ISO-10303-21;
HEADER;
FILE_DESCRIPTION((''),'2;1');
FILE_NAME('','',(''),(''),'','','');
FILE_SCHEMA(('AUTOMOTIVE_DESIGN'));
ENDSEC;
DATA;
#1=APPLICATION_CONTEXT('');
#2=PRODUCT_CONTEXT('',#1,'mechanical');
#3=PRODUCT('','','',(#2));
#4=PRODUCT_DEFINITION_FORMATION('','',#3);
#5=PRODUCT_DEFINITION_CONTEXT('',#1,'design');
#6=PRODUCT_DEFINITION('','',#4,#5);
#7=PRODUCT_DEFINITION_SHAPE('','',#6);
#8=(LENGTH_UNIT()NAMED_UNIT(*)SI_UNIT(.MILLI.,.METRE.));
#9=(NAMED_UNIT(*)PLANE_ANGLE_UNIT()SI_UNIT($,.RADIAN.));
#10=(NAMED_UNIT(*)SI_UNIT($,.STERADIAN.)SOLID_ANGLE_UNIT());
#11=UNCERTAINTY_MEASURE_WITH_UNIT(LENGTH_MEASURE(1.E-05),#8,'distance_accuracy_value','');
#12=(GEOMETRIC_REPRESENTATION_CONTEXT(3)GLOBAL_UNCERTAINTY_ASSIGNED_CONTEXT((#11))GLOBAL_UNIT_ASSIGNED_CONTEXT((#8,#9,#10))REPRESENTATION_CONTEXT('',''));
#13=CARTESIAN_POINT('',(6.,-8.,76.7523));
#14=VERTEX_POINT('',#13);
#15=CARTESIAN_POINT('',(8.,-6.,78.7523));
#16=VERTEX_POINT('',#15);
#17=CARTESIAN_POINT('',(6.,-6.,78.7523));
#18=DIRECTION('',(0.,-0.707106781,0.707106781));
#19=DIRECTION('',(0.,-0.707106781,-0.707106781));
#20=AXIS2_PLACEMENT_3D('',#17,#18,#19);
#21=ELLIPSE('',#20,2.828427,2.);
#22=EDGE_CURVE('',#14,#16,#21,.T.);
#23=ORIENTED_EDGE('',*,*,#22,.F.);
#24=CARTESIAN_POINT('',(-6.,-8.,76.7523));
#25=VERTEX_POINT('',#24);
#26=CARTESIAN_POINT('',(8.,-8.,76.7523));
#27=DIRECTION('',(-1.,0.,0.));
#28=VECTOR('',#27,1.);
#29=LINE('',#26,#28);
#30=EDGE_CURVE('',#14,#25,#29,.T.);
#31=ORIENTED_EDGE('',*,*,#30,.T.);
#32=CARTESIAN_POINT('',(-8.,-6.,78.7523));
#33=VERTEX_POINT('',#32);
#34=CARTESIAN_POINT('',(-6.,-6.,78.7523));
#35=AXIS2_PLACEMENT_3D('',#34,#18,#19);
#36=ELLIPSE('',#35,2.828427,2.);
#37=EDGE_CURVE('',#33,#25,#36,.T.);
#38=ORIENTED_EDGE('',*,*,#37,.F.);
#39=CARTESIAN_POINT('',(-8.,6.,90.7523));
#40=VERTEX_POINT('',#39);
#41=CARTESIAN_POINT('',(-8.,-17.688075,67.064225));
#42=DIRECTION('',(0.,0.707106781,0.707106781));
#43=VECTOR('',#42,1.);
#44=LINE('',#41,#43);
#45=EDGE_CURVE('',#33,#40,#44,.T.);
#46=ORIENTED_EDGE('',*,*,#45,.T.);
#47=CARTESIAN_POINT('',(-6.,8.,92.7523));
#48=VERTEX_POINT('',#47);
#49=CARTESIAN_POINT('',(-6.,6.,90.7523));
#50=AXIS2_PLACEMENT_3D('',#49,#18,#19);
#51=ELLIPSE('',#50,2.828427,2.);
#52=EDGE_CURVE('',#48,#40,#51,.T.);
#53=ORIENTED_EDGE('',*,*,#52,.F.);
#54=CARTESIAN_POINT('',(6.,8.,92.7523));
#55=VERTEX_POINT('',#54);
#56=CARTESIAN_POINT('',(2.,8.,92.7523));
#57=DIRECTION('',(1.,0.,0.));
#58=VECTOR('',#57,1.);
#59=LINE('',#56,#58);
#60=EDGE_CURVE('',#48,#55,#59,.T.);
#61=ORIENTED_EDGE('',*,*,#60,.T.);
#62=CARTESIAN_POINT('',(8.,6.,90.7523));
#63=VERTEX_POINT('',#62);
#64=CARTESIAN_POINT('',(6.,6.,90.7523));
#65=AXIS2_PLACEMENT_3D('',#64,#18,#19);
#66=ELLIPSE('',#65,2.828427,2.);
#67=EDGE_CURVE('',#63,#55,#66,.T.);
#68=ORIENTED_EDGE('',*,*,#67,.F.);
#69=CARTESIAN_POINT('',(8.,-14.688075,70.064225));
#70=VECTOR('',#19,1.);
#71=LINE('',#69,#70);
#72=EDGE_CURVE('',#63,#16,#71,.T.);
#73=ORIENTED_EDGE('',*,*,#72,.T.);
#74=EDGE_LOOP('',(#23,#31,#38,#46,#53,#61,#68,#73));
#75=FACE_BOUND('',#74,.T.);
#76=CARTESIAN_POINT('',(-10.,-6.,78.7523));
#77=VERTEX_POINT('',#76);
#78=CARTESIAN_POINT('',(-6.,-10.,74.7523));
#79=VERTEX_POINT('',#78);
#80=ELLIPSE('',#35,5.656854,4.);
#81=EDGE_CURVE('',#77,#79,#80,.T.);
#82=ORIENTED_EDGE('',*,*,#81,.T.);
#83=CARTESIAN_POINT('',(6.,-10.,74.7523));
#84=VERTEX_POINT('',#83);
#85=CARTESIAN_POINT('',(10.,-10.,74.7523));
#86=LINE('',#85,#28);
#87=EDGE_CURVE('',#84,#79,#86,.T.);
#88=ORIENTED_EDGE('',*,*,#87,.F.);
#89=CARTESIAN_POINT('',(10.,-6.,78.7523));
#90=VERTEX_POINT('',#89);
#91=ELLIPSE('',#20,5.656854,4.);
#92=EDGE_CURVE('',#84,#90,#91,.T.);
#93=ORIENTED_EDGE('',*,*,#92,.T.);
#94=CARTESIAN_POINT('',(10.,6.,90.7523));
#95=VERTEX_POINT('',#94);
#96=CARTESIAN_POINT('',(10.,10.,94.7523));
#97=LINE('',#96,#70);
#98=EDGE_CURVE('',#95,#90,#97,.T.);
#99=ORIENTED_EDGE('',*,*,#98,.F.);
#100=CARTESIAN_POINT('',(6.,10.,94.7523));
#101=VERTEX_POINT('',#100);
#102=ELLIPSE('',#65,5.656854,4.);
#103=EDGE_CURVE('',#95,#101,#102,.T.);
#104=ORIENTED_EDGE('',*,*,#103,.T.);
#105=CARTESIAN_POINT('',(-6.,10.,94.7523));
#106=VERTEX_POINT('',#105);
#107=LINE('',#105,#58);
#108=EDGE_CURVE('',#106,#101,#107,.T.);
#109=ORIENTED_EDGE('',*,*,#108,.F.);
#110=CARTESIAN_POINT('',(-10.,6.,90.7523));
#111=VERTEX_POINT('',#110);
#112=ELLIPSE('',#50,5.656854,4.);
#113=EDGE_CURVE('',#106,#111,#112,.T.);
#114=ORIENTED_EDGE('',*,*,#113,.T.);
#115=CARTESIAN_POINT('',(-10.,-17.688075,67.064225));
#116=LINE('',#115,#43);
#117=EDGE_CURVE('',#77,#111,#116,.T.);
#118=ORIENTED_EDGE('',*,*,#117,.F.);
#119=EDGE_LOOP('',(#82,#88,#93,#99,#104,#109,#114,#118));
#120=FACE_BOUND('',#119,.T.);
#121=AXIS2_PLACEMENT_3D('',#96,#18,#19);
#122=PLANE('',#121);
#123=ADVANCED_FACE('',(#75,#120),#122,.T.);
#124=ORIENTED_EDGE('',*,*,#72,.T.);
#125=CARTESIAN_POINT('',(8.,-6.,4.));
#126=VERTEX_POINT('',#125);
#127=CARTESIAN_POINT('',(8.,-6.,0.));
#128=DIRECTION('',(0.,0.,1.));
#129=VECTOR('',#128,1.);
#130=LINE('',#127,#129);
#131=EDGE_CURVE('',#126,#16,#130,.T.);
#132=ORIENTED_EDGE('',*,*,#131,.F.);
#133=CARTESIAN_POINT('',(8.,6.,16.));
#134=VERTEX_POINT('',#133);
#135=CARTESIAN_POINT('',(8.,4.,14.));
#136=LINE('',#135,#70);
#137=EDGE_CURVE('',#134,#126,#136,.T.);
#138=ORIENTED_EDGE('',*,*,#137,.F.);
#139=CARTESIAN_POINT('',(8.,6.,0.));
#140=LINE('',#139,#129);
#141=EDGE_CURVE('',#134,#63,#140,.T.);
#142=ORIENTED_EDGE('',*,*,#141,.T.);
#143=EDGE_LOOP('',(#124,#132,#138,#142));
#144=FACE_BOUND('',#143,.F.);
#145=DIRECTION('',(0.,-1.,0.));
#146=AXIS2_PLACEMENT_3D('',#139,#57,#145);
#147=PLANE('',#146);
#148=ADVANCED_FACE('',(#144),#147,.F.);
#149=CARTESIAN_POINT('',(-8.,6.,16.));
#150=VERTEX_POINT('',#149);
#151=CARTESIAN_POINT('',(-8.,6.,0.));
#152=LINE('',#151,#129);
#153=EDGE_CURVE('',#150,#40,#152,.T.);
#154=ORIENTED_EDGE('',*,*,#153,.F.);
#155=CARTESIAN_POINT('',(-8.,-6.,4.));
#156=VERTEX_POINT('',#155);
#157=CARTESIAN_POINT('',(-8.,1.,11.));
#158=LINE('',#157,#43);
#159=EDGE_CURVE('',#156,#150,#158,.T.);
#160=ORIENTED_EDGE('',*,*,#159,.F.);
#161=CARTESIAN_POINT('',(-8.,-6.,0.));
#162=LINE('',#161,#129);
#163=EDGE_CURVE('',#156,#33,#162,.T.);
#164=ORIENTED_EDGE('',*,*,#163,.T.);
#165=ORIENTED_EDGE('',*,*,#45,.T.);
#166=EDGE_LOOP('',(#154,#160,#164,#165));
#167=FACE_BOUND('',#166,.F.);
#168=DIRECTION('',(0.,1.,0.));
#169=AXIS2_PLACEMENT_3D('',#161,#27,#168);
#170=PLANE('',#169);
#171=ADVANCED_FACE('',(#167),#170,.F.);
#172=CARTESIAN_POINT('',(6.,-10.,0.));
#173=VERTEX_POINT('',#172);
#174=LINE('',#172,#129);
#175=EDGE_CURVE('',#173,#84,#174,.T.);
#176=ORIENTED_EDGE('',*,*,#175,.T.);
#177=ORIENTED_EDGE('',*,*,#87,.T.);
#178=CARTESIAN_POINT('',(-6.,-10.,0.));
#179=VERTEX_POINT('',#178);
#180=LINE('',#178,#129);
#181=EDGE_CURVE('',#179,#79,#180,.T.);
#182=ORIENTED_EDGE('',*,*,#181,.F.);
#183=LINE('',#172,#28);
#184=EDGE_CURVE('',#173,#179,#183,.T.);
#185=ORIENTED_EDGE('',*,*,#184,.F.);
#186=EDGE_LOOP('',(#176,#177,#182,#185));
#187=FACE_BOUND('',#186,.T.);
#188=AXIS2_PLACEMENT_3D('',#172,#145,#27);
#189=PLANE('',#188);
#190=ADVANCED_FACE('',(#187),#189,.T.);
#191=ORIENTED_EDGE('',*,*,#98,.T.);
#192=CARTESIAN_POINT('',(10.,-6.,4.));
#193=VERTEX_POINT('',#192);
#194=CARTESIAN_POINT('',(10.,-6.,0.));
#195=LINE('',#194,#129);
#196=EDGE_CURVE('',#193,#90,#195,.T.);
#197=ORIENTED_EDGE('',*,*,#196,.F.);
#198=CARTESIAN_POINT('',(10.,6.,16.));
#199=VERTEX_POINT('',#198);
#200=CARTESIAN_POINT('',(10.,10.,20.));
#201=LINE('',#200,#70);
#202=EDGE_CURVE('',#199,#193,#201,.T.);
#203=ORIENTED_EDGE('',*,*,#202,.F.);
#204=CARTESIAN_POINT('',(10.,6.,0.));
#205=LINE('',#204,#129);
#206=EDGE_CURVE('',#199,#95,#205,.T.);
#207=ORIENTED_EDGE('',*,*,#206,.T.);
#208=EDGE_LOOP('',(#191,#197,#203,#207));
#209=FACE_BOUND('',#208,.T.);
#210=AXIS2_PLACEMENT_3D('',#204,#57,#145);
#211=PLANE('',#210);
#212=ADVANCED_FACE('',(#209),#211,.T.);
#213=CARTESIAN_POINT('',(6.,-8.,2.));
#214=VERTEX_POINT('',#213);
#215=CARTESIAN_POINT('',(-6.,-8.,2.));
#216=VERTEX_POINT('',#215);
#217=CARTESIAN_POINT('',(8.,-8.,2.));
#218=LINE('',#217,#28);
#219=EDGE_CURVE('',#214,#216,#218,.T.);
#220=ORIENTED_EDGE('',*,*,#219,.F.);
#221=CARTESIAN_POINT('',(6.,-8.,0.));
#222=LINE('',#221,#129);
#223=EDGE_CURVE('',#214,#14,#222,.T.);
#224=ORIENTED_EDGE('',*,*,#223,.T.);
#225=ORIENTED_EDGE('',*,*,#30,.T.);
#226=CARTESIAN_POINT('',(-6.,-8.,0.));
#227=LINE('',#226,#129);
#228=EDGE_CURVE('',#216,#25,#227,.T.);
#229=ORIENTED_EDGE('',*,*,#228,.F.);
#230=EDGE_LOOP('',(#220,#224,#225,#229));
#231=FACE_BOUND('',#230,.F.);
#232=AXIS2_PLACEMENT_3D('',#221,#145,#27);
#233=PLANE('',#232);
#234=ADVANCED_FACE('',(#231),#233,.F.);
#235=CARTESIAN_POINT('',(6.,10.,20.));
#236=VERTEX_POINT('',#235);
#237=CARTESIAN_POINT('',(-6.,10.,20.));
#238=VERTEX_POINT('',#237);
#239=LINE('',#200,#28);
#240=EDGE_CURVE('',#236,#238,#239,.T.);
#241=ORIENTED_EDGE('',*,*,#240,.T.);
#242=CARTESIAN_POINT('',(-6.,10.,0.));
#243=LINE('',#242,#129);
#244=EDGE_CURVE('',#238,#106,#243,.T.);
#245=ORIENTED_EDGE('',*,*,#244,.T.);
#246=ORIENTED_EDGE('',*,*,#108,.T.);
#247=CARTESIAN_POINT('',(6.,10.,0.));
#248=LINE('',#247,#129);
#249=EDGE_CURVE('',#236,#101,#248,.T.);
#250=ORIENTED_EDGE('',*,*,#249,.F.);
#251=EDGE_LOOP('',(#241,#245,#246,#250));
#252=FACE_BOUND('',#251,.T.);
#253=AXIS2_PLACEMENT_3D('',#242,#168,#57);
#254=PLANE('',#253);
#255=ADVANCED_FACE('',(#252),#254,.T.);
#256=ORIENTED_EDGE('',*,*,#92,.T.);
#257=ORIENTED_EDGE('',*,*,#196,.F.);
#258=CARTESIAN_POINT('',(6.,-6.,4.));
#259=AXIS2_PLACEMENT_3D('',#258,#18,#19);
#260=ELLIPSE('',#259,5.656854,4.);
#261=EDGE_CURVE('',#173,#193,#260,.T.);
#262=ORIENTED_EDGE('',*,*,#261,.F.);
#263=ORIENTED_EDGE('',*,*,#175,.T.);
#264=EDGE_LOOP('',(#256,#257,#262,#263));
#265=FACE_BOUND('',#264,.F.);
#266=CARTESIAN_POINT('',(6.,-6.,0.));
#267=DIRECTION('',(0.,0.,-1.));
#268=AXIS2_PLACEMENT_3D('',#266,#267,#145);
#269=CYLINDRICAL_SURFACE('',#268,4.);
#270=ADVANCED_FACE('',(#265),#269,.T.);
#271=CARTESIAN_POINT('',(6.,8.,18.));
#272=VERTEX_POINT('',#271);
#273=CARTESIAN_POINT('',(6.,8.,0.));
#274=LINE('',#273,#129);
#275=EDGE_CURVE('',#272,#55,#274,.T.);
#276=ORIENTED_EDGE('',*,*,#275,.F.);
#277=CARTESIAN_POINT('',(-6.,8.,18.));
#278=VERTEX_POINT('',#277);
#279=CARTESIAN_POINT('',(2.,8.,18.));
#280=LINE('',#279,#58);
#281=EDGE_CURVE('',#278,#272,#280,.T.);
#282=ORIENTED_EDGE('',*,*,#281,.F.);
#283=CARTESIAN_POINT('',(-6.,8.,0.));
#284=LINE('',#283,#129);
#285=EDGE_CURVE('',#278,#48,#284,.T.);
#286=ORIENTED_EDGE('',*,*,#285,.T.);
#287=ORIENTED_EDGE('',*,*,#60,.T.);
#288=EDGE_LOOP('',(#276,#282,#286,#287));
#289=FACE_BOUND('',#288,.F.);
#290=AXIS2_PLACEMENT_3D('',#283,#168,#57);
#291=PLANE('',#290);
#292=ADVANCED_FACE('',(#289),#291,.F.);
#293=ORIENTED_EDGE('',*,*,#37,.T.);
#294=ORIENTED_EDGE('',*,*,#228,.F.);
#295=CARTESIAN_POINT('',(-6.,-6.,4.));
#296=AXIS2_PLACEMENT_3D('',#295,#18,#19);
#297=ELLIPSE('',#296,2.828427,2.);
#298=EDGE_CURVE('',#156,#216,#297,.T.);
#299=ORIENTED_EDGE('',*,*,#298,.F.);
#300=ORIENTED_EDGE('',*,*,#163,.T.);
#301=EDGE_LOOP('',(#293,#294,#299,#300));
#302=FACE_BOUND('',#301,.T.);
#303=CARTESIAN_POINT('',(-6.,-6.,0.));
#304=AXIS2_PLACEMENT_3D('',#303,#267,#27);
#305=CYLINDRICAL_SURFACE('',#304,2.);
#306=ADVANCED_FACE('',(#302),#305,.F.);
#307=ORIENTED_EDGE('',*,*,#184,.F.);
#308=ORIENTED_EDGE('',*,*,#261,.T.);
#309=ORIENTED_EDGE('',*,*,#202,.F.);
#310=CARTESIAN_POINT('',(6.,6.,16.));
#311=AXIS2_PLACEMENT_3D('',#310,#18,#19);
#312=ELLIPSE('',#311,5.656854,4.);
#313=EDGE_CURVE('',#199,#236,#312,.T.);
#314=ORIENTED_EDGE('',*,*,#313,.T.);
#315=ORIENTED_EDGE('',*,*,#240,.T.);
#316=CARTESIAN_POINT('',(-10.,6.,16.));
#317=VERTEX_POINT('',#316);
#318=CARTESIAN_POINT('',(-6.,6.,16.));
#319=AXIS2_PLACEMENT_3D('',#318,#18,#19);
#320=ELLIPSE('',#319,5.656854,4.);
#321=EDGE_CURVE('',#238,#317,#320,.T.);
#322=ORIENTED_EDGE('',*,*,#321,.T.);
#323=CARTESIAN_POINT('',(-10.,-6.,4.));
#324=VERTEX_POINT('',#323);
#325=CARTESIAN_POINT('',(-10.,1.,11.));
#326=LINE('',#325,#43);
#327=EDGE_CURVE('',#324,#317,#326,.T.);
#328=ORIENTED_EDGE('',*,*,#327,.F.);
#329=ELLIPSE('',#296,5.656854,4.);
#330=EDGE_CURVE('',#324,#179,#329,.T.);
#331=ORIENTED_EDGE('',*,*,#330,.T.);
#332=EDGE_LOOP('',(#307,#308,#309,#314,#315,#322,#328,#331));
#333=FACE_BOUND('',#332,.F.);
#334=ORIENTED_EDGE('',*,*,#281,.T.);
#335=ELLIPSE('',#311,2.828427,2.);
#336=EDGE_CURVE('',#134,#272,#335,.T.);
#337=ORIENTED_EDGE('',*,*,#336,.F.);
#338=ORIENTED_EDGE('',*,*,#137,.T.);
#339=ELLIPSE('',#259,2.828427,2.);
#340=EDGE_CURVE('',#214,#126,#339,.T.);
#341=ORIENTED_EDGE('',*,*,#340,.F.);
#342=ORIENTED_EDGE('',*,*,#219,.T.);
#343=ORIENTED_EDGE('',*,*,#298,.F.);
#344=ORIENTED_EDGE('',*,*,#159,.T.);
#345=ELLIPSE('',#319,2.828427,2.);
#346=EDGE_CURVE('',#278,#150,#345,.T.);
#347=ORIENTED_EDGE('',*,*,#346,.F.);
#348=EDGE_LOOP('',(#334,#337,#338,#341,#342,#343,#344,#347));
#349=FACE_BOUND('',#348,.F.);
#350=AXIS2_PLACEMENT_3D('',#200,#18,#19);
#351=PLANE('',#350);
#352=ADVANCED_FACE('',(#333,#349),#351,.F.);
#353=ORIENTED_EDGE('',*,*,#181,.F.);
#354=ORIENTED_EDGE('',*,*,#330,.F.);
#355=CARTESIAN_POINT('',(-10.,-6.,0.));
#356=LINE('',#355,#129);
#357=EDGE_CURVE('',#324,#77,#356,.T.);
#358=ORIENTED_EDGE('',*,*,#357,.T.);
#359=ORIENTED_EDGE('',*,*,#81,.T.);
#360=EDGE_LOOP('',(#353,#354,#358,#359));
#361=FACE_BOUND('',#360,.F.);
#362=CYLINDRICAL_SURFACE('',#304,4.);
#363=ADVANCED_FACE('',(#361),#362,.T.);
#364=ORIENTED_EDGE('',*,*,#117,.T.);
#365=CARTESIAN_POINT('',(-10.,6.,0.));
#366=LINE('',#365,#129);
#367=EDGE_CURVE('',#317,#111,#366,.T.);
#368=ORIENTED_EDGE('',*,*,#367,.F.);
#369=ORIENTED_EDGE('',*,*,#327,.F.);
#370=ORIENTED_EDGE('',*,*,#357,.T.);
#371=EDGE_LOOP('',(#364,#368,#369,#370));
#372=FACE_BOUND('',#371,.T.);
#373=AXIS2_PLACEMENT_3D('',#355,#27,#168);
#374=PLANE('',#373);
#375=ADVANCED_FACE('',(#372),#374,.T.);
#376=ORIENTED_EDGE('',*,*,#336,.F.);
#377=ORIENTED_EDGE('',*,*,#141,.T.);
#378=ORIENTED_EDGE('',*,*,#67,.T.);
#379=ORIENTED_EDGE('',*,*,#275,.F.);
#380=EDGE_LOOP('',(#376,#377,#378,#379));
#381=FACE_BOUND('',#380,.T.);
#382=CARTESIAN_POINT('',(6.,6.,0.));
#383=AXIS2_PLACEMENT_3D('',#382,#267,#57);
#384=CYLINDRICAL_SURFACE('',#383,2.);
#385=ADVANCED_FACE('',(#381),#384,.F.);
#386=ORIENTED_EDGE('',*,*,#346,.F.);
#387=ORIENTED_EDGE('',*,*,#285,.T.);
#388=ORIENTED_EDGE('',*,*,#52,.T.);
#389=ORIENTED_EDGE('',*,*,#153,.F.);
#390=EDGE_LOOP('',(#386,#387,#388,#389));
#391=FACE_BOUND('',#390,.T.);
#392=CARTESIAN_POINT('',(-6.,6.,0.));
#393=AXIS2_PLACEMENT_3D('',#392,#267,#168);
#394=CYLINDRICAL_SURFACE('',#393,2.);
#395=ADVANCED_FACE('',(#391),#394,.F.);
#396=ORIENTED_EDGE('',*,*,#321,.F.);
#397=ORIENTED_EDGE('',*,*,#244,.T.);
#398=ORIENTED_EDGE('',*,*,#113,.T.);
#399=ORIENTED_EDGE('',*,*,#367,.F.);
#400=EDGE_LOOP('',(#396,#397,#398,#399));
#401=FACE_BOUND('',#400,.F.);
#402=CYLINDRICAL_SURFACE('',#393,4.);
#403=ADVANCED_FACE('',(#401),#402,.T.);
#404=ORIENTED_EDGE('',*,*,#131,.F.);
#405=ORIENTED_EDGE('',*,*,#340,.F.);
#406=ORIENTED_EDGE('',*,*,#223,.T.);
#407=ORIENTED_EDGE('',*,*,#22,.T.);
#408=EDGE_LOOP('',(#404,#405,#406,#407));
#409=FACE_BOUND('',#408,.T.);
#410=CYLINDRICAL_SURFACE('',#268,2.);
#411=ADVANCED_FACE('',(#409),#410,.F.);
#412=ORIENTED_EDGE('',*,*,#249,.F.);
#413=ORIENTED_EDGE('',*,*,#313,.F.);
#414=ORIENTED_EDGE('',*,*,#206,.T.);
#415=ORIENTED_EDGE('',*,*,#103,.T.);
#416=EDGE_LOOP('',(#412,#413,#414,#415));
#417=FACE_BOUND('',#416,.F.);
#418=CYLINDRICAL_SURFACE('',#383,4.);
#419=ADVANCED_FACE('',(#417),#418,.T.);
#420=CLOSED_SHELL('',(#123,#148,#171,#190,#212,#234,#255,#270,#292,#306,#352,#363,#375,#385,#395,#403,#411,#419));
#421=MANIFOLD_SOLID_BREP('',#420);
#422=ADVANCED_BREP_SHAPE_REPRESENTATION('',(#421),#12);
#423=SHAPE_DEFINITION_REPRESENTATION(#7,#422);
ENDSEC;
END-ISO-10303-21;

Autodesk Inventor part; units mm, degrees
ref_plane "YZ Plane" through (0, 0, 0) normal (1, 0, 0) x (0, 1, 0)
ref_plane "Start Plane" through (0, 0, 0) normal (0, 0, 1) x (1, 0, 0)
ref_plane "End Plane" through (0, 0, 94.7523) normal (0, 0, 1) x (1, 0, 0)
sketch "Sketch" plane through (0, 0, 0) normal (0, 0, 1) x (1, 0, 0)
  line L0 (-10, -6) -> (-10, 6)
  line L1 (-6, 10) -> (6, 10)
  line L2 (10, 6) -> (10, -6)
  line L3 (6, -10) -> (-6, -10)
  arc A0 (-10, -6) -> (-6, -10) centre (-6, -6) ccw
  arc A1 (10, 6) -> (6, 10) centre (6, 6) ccw
  arc A2 (-6, 10) -> (-10, 6) centre (-6, 6) ccw
  arc A3 (6, -10) -> (10, -6) centre (6, -6) ccw
  arc A4 (-6, 8) -> (-8, 6) centre (-6, 6) ccw
  line L4 (-6, 8) -> (6, 8)
  arc A5 (8, 6) -> (6, 8) centre (6, 6) ccw
  line L5 (8, 6) -> (8, -6)
  arc A6 (6, -8) -> (8, -6) centre (6, -6) ccw
  line L6 (6, -8) -> (-6, -8)
  arc A7 (-8, -6) -> (-6, -8) centre (-6, -6) ccw
  line L7 (-8, -6) -> (-8, 6)
  line L8 (0, 15.1598) -> (0, -15.1598) construction
  line L9 (-15.1598, 0) -> (15.1598, 0) construction
  dimension "d7" = 4
  dimension "d9" = 20
  dimension "d11" = 20
  dimension "d12" = 2
  dimension "d15" = 10
  dimension "d16" = 10
extrude "Body" add sketch "Sketch" along normal up to surface (94.7523 mm away) from surface at 0
sketch "Sketch3" plane through (0, 0, 0) normal (0, 0, 1) x (1, 0, 0)
  line L0 (0, 0) -> (10, 0)
ref_plane "Work Plane3" through (0, 0, 0) normal (0, -1, 0) x (1, 0, 0)
sketch "Sketch5" plane through (10, -6, 94.7523) normal (1, 0, 0) x (0, 0, -1)
  line L0 (0, 12) -> (0, 16) projected
  line L1 (0, 16) -> (20, -4)
  line L2 (94.7523, -4) -> (0, -4) projected
  line L3 (94.7523, 16) -> (0, 16) projected
  line L4 (74.7523, 16) -> (94.7523, -4)
  line L5 (0, 12) -> (0, 0) projected
  line L6 (0, -4) -> (0, 0) projected
  line L7 (94.7523, -4) -> (0, -4) projected
  line L8 (94.7523, 12) -> (94.7523, 0) projected
  line L9 (94.7523, 12) -> (94.7523, 16) projected
  line L10 (94.7523, -4) -> (94.7523, 0) projected
  point P0 (94.7523, 6)
  point P1 (84.7523, 6)
  dimension "d19" = 45
extrude "Extrusion2" cut sketch "Sketch5" against normal through all contours L0 L1 L2 L6 L5 | L3 L9 L8 L10 L4
sketch "Sketch4" plane through (0, 0, 0) normal (0, -1, 0) x (1, 0, 0)
  line L0 (-2, 0) -> (12, 0) projected
  line L1 (-2, 94.7523) -> (12, 94.7523) projected
  dimension "d18" = 94.7523
equation "\"d7\" = G_IR"
equation "\"d9\" = G_W"
equation "\"d11\" = G_H"
equation "\"d12\" = G_T"
equation "\"d15\" = 0.5 * d9"
equation "\"d16\" = 0.5 * d11"
equation "\"d3\" = G_L"
equation "\"G_W\" = 20"
equation "\"G_H\" = 20"
equation "\"G_T\" = 2"
equation "\"G_IR\" = 4"
equation "\"G_L\" = d18"
equation "\"G_OFFSET_START\" = 0"
equation "\"G_OFFSET_END\" = 0"
equation "\"d14\" = G_OFFSET_END + B_L"
equation "\"B_L\" = 94.75231"
properties part number "ISO 10799-2 - 20x20x2 - 94,75" material "Steel, Mild"
